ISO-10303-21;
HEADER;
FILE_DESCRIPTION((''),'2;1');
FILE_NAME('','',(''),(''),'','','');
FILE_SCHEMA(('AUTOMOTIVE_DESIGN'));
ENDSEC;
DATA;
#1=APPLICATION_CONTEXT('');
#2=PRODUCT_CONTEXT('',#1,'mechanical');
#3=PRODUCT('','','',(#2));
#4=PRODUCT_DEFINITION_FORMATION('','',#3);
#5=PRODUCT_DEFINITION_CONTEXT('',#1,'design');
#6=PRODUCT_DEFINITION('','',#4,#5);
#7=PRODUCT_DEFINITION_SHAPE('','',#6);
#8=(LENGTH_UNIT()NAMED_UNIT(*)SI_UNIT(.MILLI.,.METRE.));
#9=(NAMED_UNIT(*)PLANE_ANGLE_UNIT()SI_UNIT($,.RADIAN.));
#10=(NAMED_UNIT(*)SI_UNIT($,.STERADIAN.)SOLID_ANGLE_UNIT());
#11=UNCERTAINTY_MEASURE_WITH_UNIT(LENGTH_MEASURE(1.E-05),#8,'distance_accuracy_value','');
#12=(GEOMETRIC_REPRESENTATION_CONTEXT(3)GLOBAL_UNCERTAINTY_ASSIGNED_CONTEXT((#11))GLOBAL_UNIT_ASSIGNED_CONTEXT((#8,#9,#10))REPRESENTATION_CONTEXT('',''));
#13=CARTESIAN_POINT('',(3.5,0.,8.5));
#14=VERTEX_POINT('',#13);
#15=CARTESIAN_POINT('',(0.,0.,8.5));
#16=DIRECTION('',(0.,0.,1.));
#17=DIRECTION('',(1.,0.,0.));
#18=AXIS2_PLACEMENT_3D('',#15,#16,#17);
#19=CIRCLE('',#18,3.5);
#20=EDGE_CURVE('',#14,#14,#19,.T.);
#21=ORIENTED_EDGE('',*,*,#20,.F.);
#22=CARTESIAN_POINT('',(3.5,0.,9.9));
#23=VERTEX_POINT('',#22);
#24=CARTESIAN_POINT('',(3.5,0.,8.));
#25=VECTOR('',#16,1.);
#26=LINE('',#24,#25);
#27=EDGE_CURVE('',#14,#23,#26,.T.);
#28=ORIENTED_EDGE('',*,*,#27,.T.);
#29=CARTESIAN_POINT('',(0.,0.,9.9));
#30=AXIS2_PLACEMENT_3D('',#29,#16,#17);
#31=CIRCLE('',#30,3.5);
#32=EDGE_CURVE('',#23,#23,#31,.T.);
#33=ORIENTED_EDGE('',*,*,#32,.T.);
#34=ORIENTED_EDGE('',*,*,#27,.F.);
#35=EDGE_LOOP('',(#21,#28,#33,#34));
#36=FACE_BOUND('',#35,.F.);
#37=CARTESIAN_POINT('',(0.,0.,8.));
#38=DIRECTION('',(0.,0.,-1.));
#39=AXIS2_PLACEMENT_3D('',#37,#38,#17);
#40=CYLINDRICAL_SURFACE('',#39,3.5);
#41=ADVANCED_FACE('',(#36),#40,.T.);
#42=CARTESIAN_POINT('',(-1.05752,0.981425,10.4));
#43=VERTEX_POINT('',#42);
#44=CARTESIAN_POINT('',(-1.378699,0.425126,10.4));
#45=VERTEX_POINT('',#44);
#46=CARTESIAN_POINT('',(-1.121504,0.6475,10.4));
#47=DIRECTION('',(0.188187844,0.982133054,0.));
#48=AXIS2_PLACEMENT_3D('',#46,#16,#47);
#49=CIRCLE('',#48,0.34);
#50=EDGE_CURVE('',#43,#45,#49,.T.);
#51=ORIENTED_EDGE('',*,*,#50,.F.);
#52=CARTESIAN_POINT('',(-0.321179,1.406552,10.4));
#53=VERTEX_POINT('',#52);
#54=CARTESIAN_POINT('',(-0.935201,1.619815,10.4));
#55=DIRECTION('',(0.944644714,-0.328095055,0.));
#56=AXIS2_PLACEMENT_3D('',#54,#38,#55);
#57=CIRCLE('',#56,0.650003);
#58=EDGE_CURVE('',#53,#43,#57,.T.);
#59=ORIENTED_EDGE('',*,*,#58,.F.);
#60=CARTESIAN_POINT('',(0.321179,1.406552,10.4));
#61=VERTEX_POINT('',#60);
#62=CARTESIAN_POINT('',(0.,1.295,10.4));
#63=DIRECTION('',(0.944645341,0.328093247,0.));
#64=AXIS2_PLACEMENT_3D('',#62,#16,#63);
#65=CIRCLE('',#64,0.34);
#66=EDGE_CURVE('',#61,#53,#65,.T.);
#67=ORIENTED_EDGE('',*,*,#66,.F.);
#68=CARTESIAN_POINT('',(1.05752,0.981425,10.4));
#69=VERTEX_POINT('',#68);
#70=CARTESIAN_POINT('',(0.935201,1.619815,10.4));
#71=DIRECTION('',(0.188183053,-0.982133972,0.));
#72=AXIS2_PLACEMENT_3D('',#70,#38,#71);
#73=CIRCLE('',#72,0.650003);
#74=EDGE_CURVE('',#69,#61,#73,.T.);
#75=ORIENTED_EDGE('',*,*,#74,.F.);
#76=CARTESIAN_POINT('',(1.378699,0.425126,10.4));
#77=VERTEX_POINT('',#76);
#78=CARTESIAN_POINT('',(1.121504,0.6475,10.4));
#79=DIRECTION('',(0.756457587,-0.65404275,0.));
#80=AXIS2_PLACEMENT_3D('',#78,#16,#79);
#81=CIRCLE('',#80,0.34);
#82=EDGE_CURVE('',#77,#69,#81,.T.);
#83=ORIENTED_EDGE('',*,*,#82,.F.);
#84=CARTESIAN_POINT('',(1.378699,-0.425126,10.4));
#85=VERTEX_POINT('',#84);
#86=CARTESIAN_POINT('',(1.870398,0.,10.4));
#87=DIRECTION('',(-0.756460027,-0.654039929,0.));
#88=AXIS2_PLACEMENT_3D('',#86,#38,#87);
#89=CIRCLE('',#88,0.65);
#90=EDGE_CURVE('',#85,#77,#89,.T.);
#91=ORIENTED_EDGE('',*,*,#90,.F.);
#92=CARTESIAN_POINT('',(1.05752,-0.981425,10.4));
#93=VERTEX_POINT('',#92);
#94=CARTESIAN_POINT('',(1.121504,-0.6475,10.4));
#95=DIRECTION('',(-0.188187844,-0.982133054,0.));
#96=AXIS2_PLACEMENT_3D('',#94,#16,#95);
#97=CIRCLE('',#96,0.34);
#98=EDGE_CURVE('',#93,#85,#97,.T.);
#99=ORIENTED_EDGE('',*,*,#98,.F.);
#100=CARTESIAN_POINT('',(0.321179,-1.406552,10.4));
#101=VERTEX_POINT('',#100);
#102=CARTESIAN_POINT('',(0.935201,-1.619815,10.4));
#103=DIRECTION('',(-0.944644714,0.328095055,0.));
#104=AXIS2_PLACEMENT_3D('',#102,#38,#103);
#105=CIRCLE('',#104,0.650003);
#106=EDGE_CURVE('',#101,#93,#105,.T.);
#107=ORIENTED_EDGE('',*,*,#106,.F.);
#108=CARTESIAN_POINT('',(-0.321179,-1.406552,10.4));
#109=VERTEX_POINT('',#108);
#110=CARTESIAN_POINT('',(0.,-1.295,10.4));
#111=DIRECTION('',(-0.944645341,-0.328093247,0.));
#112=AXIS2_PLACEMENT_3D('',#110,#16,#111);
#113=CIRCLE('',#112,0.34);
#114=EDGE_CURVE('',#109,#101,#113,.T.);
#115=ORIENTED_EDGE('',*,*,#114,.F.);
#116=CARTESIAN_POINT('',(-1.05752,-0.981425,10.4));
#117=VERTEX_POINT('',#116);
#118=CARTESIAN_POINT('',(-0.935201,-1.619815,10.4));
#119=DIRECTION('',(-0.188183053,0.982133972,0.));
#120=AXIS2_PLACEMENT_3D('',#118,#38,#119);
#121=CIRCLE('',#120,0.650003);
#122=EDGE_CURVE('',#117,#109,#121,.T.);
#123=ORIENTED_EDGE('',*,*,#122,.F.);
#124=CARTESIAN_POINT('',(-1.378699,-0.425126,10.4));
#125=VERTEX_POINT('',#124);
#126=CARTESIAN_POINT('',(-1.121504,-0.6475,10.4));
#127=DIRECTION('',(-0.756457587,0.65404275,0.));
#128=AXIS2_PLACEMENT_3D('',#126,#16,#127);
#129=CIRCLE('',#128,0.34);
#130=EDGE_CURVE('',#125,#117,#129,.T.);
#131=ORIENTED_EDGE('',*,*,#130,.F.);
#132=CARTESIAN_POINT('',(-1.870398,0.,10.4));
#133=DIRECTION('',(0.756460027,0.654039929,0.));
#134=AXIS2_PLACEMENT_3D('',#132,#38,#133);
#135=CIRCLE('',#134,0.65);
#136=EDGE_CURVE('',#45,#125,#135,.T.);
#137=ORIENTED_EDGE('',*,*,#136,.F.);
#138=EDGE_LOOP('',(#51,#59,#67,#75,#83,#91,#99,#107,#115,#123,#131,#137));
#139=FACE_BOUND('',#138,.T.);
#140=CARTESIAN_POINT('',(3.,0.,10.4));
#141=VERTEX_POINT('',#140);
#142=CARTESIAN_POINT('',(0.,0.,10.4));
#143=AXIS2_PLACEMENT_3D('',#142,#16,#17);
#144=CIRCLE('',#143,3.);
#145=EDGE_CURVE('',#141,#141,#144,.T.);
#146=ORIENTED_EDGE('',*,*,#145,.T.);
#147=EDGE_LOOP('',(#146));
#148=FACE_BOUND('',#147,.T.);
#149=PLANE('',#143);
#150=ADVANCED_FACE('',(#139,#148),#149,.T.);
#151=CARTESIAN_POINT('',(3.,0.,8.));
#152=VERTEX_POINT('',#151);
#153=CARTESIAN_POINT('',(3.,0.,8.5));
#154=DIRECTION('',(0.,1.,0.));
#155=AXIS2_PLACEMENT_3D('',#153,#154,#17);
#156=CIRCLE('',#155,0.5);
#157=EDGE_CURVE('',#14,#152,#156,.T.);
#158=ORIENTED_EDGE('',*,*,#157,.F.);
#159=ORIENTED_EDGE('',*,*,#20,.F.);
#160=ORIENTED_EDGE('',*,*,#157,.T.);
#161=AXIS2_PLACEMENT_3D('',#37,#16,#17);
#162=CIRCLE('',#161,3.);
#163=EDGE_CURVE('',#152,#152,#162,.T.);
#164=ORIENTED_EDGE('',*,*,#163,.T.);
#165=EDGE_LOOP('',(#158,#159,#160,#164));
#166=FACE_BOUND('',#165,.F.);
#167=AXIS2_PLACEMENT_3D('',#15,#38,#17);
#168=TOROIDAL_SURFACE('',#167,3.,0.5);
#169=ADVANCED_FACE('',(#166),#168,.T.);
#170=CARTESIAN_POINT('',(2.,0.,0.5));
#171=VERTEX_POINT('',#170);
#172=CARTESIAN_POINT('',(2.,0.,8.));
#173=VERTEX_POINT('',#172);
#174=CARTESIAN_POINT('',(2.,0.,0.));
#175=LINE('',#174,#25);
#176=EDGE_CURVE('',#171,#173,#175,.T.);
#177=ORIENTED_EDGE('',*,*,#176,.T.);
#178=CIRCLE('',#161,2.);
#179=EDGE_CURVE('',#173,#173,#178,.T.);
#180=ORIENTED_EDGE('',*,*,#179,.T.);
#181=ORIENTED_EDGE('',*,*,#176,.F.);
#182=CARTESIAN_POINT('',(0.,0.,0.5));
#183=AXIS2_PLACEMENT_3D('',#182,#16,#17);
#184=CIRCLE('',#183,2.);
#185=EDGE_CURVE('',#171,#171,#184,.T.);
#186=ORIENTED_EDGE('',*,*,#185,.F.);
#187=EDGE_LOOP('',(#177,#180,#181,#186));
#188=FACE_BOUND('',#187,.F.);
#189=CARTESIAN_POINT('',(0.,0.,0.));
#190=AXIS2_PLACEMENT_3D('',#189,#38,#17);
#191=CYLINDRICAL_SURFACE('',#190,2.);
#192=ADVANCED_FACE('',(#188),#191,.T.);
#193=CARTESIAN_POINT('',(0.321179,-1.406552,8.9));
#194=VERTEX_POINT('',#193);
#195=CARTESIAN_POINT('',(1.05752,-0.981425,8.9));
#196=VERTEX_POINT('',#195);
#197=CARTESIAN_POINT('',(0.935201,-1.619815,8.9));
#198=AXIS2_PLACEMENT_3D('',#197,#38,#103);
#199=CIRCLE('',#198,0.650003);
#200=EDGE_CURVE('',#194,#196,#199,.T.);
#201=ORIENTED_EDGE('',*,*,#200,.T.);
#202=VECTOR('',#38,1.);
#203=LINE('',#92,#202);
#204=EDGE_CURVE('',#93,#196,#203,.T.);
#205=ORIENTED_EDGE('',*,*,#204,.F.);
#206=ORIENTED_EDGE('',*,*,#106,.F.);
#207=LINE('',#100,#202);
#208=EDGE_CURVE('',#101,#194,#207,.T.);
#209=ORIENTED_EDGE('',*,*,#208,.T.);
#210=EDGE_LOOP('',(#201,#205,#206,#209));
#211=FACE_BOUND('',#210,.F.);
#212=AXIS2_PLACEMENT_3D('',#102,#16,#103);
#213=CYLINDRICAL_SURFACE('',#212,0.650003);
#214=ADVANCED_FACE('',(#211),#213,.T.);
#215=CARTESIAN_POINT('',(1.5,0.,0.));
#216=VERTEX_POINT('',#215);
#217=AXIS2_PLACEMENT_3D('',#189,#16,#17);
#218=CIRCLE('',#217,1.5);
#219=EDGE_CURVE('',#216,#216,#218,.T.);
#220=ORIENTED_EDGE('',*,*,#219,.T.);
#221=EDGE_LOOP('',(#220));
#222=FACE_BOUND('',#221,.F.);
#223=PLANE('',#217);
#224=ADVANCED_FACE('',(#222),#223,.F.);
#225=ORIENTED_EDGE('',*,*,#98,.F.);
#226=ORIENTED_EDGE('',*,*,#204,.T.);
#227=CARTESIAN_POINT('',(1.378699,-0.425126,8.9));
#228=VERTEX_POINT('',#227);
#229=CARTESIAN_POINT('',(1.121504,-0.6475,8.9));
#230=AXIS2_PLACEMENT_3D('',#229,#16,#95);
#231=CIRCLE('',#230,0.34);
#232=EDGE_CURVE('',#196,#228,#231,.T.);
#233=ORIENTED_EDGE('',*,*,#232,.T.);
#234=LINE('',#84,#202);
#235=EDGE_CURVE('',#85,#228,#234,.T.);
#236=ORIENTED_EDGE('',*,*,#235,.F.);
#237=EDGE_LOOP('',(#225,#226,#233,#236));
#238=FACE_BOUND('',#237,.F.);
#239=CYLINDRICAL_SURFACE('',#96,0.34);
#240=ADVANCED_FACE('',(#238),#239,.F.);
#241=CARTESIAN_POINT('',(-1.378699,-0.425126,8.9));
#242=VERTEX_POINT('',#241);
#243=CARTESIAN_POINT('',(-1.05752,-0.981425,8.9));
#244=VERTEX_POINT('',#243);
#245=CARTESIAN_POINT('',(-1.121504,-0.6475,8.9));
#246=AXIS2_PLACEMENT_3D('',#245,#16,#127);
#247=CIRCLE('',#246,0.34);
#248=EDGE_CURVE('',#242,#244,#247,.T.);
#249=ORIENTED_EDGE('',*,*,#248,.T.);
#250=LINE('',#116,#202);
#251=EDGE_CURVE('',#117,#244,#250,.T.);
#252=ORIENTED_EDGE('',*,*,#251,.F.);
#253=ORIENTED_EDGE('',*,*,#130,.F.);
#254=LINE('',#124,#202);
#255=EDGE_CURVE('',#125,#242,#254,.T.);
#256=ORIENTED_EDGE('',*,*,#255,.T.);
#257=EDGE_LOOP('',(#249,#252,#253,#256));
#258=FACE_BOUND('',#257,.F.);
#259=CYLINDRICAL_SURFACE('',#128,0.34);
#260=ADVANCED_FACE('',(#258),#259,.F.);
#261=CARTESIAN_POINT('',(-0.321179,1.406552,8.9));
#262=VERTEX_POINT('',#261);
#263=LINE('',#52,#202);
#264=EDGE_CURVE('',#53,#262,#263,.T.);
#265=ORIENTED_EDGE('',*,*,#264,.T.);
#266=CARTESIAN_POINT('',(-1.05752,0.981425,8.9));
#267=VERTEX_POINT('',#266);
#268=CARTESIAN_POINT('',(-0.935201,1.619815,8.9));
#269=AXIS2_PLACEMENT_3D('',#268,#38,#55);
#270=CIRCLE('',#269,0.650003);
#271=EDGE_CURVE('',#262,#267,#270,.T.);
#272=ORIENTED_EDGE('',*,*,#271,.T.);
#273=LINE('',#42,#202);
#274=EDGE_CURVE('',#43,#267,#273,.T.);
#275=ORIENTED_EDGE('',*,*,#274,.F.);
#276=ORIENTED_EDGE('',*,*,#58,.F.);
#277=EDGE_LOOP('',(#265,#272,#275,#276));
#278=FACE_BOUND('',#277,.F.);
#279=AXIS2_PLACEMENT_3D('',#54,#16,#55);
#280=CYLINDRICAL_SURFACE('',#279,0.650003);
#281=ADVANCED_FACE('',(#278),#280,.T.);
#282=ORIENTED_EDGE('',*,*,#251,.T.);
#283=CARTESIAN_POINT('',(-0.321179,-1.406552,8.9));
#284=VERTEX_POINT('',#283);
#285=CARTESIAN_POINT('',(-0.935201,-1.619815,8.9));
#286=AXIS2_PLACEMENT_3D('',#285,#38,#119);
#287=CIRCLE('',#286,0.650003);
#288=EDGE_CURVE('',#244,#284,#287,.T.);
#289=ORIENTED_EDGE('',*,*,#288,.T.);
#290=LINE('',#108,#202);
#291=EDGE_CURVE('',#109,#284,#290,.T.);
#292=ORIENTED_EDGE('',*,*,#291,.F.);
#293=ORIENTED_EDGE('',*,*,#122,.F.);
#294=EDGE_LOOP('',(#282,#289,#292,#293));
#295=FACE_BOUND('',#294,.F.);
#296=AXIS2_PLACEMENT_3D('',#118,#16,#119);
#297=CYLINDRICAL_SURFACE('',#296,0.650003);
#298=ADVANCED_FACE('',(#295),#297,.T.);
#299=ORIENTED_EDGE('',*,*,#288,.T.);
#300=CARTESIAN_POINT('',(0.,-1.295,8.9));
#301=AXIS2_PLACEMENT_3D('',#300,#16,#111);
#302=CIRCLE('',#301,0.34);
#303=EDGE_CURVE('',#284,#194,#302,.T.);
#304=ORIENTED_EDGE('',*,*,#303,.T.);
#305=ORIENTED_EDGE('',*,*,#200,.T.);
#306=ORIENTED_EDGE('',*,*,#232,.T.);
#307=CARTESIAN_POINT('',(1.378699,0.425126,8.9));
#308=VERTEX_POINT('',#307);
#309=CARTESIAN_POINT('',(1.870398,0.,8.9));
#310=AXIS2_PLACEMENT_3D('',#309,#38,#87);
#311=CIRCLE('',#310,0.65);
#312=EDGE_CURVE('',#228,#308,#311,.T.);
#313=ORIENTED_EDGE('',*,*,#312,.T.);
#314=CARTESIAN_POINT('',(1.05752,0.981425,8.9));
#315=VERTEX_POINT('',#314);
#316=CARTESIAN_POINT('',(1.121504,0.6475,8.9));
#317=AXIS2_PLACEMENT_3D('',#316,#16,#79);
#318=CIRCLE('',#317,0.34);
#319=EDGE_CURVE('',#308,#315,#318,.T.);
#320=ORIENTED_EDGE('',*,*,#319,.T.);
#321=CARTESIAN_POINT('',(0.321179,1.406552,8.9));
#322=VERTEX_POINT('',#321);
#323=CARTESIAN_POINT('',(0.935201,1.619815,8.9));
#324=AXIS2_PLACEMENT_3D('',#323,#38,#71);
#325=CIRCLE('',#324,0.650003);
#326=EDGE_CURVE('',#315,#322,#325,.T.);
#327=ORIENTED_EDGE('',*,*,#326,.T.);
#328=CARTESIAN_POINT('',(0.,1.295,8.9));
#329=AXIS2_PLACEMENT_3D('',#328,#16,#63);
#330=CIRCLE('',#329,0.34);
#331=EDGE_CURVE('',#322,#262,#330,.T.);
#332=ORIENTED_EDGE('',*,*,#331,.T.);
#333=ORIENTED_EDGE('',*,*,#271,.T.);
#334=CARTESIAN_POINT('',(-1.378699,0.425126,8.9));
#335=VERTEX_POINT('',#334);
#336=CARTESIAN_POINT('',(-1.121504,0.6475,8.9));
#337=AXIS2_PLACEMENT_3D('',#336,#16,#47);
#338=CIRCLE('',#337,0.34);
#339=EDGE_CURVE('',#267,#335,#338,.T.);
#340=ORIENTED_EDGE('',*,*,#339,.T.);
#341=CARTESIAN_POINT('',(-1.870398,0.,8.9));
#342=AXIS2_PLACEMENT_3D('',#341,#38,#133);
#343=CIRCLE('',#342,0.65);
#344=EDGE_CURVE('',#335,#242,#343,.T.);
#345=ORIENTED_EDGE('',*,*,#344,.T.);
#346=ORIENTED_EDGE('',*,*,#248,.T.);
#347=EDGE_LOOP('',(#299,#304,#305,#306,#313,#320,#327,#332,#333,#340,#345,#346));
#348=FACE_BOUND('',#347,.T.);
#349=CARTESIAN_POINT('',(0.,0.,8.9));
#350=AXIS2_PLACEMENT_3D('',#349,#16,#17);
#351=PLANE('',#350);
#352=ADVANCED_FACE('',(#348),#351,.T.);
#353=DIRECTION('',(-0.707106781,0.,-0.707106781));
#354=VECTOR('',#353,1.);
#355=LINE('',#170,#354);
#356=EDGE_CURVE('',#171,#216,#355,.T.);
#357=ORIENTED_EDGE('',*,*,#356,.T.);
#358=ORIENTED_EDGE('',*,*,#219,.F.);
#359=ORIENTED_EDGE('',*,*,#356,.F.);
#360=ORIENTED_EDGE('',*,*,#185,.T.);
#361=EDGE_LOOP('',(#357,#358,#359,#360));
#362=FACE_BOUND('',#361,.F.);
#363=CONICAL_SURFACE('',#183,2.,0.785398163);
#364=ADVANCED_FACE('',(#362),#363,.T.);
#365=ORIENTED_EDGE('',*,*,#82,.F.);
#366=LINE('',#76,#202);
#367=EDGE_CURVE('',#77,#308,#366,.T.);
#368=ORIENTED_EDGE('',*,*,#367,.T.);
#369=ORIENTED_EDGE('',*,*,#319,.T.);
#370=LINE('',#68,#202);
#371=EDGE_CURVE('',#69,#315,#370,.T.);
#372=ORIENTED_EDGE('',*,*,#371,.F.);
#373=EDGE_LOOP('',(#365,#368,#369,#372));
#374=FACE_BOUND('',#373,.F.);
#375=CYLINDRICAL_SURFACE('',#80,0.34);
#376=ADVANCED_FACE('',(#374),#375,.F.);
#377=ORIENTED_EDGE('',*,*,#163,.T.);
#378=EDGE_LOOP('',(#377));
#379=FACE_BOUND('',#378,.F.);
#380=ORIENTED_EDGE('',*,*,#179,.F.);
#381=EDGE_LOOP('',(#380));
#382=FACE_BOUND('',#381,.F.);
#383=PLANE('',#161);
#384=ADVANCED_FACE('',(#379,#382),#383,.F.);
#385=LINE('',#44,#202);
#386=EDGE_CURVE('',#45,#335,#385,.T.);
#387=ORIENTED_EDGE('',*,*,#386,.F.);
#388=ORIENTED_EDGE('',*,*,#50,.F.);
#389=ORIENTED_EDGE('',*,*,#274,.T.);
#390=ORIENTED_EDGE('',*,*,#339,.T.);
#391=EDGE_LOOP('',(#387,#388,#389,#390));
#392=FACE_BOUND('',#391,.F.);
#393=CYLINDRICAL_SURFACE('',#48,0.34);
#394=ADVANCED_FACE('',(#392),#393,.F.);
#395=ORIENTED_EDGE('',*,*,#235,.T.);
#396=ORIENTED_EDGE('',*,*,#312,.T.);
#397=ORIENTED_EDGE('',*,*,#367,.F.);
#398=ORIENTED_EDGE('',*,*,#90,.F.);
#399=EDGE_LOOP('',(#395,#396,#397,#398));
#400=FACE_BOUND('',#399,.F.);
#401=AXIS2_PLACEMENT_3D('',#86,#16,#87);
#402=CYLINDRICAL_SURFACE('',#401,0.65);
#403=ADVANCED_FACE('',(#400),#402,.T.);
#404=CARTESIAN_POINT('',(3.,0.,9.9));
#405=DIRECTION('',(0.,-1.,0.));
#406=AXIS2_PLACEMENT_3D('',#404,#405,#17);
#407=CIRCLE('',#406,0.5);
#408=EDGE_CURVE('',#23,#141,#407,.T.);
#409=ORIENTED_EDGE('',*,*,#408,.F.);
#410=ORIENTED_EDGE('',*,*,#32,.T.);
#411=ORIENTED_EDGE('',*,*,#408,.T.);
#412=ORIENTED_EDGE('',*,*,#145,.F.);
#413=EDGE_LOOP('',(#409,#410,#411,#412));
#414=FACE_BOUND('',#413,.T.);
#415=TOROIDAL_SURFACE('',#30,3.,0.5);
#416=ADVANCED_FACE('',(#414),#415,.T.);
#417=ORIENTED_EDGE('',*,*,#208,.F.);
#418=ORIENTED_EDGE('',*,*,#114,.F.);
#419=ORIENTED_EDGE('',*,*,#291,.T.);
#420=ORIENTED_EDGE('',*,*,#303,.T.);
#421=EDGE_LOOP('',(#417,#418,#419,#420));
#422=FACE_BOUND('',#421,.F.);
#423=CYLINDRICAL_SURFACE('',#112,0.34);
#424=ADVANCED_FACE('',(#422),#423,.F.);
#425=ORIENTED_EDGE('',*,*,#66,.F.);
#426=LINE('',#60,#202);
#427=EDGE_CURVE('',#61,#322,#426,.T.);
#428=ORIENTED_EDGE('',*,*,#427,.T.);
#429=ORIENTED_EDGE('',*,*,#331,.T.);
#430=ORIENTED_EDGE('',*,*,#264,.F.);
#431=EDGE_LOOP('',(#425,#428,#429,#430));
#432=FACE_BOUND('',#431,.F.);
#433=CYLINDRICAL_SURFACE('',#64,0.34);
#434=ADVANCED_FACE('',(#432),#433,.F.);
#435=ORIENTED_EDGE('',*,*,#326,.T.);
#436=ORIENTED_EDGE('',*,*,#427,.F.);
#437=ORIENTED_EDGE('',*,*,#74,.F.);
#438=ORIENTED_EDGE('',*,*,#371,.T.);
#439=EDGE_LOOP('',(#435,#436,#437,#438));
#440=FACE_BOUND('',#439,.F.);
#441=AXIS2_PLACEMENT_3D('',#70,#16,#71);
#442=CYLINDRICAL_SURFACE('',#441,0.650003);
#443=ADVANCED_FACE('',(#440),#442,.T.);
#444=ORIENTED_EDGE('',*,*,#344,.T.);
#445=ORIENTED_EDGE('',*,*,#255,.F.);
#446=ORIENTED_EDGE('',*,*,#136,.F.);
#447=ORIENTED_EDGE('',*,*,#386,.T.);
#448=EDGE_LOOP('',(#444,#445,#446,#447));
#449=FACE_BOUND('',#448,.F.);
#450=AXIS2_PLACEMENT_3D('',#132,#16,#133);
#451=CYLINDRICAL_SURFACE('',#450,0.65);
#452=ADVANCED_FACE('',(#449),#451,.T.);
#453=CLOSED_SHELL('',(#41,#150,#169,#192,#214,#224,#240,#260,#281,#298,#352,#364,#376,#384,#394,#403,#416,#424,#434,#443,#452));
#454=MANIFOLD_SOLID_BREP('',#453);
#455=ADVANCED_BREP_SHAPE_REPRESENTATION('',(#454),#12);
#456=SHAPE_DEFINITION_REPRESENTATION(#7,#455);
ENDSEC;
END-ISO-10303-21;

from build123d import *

# Parameters (mm, degrees)
F0_R     = 2
F1_DEPTH = 8
F2_R     = 3.5
F3_DEPTH = 2.4
F4_R     = 0.5
F5_SIZE  = 0.5
F7_DEPTH = 1.5


with BuildPart() as f1:
    # F0 (on Top) → F1 (new body)
    with BuildSketch(Plane.XY):
        Circle(F0_R)
    extrude(amount=F1_DEPTH)

    # F2 (on face) → F3 (join)
    with BuildSketch(Plane.XY.offset(8)):
        Circle(F2_R)
    extrude(amount=F3_DEPTH)

    # F4
    f4_edges = [f1.edges().sort_by_distance(p)[0] for p in [
        (-3.5, 0, 10.4),
        (-3.5, 0, 8),
    ]]
    fillet(f4_edges, radius=F4_R)

    # F5
    f5_edges = [f1.edges().sort_by_distance(p)[0] for p in [
        (-2, 0, 0),
    ]]
    chamfer(f5_edges, length=F5_SIZE)

    # F6 (on face) → F7 (cut)
    with BuildSketch(Plane.XY.offset(10.4)):
        with BuildLine():
            ThreePointArc((1.05752, 0.981425), (0.610199, 1.056896), (0.321179, 1.406552))
            ThreePointArc((0.321179, 1.406552), (0, 1.635), (-0.321179, 1.406552))
            ThreePointArc((-0.321179, 1.406552), (-0.610199, 1.056896), (-1.05752, 0.981425))
            ThreePointArc((-1.05752, 0.981425), (-1.415952, 0.8175), (-1.378699, 0.425126))
            ThreePointArc((-1.378699, 0.425126), (-1.220398, 0), (-1.378699, -0.425126))
            ThreePointArc((-1.378699, -0.425126), (-1.415952, -0.8175), (-1.05752, -0.981425))
            ThreePointArc((-1.05752, -0.981425), (-0.610199, -1.056896), (-0.321179, -1.406552))
            ThreePointArc((-0.321179, -1.406552), (0, -1.635), (0.321179, -1.406552))
            ThreePointArc((0.321179, -1.406552), (0.610199, -1.056896), (1.05752, -0.981425))
            ThreePointArc((1.05752, -0.981425), (1.415952, -0.8175), (1.378699, -0.425126))
            ThreePointArc((1.378699, -0.425126), (1.220398, 0), (1.378699, 0.425126))
            ThreePointArc((1.378699, 0.425126), (1.415952, 0.8175), (1.05752, 0.981425))
        make_face()
    extrude(amount=-F7_DEPTH, mode=Mode.SUBTRACT)


solid = f1.part
